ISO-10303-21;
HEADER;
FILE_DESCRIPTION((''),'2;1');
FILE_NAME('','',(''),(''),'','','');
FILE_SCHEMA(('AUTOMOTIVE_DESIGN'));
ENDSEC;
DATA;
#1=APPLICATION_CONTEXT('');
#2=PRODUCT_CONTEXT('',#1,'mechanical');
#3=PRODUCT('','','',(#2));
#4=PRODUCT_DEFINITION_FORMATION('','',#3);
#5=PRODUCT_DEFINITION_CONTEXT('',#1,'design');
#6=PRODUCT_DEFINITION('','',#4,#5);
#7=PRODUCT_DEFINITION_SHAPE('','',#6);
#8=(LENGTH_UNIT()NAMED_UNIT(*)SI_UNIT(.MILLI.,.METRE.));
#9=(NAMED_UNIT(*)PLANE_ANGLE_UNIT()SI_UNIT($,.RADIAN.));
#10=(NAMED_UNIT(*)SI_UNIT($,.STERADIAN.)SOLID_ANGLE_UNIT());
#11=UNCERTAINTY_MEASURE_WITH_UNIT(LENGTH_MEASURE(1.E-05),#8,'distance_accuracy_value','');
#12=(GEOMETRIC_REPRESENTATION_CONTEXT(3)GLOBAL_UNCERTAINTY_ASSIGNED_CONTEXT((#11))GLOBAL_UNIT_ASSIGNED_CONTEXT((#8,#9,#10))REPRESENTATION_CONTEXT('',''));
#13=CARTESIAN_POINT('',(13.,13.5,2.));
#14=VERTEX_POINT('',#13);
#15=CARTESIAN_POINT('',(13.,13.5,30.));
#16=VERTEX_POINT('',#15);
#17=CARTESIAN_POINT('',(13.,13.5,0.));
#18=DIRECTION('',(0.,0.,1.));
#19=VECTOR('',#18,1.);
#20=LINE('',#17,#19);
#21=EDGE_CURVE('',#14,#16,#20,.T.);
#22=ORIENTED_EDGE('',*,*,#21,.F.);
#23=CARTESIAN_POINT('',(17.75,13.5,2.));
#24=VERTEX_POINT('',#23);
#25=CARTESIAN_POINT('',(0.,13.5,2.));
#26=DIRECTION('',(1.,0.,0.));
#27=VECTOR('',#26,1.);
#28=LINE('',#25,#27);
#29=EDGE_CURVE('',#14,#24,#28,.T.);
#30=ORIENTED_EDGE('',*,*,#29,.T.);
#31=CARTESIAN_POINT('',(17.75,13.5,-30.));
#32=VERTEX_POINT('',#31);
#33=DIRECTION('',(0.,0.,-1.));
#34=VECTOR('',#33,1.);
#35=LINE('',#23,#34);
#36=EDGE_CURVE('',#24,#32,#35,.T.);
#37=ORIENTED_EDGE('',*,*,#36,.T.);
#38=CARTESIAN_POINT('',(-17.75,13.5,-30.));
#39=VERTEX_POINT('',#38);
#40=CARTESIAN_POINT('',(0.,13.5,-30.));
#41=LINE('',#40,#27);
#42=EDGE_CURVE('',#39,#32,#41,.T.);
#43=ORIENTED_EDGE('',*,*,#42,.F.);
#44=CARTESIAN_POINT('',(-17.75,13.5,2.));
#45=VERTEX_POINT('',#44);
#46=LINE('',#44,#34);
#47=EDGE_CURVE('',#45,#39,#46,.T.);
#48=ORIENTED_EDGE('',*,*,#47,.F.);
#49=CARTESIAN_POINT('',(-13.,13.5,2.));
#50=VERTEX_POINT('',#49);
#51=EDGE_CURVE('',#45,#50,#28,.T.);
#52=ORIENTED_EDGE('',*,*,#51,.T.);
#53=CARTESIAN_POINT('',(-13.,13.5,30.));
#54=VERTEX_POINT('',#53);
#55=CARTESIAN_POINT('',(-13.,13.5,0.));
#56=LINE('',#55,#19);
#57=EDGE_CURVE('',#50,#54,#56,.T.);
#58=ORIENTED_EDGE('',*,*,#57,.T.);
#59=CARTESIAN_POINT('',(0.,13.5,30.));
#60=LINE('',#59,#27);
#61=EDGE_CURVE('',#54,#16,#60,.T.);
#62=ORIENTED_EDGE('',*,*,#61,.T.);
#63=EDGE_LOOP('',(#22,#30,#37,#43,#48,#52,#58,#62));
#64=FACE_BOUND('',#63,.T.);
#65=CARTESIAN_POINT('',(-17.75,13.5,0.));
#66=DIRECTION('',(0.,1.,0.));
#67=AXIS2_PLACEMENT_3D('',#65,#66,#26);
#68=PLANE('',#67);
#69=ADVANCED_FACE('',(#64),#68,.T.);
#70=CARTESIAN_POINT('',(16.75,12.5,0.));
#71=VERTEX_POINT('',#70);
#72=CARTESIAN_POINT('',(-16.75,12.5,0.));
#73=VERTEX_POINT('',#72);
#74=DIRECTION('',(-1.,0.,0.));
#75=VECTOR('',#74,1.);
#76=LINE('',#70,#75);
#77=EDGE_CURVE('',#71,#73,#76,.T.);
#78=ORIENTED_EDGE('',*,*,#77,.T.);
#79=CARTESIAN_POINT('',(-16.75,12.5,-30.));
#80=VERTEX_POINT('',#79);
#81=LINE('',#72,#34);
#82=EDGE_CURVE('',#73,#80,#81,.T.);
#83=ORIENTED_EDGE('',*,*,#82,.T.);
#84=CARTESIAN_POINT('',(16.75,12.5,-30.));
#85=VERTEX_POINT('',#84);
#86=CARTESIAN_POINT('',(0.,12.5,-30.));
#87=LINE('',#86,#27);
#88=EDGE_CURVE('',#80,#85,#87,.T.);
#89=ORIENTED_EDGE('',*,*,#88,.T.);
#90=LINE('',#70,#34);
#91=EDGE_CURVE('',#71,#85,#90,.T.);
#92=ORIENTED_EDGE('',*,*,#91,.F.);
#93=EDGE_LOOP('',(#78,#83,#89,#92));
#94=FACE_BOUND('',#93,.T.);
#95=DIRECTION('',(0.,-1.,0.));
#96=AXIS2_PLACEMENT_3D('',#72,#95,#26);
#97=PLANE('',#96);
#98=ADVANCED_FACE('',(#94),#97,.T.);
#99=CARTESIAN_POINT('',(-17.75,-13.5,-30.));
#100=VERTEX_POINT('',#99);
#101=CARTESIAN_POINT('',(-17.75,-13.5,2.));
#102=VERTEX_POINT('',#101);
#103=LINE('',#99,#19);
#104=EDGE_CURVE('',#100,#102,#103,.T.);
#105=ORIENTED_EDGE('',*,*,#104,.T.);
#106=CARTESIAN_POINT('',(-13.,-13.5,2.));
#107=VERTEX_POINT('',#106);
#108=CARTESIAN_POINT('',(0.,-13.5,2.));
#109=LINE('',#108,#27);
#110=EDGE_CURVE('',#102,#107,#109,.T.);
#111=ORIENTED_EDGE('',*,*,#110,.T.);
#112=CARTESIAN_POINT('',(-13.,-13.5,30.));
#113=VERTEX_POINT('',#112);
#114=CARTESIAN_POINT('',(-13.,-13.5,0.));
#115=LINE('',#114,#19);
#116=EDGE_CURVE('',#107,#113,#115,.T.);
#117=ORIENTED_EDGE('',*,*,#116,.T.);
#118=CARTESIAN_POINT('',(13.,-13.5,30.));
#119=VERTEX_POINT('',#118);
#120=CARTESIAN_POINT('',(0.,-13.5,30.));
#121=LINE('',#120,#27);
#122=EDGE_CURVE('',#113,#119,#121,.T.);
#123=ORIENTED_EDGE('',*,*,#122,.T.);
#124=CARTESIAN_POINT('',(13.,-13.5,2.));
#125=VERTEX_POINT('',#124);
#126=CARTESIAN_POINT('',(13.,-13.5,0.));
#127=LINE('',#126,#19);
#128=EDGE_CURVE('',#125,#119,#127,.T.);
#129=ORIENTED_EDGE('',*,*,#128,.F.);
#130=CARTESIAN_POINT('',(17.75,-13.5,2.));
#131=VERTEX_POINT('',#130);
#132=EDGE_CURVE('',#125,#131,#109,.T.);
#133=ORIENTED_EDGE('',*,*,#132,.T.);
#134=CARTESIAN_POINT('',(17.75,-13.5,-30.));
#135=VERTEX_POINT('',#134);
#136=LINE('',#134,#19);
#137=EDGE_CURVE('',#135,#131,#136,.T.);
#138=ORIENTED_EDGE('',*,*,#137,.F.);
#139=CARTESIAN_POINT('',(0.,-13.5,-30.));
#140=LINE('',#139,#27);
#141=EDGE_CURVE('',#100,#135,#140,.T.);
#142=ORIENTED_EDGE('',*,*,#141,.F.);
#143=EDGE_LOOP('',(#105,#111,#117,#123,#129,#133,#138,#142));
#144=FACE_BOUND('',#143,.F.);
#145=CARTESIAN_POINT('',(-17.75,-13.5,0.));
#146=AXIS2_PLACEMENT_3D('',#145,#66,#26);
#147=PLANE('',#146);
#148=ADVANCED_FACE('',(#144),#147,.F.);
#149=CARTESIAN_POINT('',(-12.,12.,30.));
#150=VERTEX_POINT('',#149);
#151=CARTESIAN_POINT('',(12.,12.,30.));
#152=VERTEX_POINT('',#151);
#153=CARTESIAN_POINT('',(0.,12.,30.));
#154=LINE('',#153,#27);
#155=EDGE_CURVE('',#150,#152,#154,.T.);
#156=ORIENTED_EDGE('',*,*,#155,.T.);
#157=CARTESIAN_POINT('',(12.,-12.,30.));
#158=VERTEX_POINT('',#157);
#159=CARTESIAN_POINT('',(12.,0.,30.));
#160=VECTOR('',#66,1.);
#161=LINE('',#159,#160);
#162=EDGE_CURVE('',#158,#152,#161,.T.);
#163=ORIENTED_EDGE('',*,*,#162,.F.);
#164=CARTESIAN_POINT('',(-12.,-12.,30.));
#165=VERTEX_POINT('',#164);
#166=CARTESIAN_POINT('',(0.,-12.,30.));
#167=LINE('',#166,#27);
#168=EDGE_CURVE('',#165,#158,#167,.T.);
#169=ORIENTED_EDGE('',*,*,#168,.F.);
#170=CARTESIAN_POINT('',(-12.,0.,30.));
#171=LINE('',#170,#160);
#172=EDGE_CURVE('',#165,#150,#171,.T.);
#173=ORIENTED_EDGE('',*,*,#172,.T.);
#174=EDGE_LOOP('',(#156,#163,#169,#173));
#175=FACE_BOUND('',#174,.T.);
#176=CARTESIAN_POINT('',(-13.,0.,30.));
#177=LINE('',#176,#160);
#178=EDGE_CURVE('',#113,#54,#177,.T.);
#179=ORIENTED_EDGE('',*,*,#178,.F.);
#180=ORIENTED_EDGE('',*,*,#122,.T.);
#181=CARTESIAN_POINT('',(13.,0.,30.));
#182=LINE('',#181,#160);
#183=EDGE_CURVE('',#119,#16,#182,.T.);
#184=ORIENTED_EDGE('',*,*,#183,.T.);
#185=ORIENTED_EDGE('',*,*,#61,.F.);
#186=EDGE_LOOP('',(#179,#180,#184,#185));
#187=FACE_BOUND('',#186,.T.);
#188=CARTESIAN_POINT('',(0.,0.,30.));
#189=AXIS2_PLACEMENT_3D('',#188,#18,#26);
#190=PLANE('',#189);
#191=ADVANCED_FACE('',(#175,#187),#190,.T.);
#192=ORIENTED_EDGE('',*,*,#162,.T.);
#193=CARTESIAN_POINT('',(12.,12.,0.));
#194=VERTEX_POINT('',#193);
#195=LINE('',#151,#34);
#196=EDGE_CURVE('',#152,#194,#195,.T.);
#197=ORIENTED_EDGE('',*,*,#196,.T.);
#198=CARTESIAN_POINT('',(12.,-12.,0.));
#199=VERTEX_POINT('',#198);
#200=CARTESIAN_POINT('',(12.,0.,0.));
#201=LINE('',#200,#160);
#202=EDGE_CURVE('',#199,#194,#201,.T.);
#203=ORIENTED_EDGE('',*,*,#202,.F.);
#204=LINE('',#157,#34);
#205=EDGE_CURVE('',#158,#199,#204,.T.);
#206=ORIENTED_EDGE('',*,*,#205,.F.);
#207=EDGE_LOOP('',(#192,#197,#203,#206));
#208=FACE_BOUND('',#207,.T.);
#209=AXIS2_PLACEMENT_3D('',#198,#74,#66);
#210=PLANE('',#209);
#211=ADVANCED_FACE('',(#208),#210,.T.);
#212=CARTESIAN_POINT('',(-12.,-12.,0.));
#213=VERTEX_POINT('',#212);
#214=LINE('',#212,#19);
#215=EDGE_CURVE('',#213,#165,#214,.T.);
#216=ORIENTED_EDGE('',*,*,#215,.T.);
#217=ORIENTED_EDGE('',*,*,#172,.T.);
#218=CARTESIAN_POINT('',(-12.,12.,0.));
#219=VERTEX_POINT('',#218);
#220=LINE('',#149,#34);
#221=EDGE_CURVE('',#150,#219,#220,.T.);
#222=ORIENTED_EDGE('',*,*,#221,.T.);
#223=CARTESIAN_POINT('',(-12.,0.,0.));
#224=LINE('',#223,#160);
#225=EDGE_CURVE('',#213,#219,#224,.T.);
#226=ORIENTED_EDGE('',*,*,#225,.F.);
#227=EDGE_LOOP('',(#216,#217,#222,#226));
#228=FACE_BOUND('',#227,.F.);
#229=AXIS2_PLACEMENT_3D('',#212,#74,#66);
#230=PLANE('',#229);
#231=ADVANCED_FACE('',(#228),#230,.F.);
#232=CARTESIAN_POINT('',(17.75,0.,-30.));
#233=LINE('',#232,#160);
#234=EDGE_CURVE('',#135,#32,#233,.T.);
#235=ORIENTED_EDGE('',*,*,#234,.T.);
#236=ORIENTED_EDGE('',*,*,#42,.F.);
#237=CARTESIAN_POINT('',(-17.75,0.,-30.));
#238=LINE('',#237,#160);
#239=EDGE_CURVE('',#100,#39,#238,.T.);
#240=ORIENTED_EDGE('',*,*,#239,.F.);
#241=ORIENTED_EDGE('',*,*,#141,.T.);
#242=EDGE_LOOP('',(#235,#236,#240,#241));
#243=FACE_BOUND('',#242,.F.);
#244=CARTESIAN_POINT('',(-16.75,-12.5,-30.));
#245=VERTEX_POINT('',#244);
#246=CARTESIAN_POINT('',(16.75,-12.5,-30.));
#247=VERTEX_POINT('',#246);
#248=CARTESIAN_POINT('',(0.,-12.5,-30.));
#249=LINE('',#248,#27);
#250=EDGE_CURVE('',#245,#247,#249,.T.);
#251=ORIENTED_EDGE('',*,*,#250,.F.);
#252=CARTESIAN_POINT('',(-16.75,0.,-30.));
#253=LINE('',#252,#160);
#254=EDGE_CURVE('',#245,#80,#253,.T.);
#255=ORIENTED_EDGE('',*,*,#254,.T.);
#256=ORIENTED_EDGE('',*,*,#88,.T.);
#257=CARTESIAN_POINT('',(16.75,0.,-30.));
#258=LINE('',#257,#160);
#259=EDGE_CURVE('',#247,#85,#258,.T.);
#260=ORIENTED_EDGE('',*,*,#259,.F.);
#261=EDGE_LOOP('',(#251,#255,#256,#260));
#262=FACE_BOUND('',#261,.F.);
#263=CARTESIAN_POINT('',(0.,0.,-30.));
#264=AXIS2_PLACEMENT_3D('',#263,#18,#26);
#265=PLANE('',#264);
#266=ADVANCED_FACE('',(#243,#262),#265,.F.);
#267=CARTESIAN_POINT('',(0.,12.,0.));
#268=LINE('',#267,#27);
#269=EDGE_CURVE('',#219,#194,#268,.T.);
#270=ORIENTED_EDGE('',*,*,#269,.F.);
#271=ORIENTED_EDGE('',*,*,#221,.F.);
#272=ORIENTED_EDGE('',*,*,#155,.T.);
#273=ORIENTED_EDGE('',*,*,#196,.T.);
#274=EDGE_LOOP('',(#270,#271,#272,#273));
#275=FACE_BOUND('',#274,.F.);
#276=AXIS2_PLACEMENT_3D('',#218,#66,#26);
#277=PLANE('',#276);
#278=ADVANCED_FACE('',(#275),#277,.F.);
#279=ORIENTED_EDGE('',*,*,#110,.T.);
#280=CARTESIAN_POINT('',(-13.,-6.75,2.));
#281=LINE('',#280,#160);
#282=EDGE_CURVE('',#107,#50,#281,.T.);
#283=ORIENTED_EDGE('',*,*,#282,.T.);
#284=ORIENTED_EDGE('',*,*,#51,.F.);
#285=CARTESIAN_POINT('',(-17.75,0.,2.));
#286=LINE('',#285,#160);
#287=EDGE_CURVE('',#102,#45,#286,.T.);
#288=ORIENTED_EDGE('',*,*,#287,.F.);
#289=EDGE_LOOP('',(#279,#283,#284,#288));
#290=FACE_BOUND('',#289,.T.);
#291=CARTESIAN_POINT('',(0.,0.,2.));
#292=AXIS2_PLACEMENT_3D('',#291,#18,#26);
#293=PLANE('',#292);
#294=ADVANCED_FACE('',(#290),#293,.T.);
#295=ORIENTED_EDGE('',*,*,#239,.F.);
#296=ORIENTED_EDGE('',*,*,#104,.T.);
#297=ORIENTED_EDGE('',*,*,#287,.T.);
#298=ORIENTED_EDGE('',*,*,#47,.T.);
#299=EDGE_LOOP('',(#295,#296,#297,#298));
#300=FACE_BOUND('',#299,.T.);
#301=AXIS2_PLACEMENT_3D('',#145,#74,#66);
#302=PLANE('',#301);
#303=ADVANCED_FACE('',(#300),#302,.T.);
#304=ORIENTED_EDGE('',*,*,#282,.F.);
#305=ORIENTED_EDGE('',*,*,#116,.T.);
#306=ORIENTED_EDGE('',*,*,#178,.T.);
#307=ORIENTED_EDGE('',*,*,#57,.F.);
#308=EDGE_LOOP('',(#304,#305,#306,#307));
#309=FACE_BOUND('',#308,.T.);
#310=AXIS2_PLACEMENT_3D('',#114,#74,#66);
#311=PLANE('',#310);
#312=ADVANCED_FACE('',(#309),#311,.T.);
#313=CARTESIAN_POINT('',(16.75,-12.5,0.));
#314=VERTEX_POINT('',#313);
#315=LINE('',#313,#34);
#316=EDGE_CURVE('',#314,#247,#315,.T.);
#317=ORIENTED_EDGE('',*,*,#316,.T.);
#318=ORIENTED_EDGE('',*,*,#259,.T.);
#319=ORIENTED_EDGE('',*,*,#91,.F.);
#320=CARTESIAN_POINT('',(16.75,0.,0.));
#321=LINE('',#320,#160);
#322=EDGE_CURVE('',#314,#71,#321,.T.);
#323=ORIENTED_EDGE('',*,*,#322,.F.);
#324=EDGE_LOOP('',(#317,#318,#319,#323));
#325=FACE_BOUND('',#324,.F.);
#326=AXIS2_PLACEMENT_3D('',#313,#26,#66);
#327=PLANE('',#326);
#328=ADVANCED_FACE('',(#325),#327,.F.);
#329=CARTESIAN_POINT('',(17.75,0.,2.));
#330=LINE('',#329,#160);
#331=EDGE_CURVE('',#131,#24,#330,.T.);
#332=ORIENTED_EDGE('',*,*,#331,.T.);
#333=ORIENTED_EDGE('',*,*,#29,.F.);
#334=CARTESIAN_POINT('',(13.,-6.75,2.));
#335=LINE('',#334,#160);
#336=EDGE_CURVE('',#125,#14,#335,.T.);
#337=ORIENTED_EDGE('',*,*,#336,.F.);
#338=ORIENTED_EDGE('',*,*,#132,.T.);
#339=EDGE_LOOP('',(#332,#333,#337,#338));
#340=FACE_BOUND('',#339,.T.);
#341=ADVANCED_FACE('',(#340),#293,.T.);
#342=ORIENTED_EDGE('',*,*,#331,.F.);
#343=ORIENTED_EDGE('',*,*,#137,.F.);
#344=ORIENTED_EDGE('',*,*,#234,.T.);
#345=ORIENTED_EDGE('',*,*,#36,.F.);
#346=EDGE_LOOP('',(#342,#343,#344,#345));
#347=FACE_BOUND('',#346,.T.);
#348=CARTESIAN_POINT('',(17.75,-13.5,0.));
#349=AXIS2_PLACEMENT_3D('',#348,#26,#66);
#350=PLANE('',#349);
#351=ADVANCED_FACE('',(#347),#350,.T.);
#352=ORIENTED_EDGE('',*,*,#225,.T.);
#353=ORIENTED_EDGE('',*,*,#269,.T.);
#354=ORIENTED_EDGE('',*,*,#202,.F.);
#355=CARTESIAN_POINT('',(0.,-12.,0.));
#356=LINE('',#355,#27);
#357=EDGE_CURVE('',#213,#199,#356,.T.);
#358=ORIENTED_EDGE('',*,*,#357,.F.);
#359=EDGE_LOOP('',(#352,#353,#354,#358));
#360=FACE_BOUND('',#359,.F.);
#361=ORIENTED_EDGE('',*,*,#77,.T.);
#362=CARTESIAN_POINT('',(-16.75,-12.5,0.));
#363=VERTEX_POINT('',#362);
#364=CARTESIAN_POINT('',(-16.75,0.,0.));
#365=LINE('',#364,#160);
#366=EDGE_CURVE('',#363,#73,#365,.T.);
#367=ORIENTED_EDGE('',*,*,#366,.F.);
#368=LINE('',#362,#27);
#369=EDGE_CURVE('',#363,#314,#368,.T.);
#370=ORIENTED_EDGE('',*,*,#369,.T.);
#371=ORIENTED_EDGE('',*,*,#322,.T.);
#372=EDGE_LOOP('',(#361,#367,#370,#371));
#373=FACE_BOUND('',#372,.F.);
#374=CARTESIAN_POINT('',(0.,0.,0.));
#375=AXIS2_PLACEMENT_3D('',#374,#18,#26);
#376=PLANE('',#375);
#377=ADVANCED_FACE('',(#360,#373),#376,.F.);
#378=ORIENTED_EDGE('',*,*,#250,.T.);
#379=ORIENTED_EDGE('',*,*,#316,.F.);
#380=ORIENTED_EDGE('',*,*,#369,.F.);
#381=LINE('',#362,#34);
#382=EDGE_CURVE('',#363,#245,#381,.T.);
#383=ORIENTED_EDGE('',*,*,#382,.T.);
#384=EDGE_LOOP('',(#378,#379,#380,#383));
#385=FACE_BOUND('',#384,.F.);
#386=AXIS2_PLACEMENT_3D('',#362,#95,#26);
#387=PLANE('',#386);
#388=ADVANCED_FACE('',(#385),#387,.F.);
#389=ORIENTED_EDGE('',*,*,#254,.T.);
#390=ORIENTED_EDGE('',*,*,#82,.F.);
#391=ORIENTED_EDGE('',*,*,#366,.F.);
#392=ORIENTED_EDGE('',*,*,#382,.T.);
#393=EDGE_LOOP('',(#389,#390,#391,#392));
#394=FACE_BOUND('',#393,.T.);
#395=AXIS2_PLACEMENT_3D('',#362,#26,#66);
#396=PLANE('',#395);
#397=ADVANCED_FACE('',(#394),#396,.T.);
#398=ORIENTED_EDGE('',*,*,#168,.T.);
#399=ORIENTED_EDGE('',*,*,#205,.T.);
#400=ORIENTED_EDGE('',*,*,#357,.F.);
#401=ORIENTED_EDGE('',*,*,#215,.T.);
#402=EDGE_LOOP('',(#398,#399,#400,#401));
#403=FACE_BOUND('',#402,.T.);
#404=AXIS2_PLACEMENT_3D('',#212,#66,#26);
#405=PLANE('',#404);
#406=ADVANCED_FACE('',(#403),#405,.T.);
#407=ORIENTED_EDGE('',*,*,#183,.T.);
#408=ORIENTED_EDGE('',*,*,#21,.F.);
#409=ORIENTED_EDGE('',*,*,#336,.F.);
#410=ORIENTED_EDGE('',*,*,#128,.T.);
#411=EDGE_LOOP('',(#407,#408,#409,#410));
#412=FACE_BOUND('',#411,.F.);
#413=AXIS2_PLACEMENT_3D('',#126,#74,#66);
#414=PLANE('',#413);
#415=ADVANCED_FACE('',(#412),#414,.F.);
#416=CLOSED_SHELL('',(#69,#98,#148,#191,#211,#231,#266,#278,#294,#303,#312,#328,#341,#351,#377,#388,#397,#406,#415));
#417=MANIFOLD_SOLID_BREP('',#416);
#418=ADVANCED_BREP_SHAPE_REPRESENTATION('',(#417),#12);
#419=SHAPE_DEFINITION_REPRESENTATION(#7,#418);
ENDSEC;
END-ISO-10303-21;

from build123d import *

# Parameters (mm, degrees)
SKETCH_W      = 26
SKETCH_H      = 27
SKETCH_W_2    = 24
SKETCH_H_2    = 24
PAD_DEPTH     = 30
SKETCH001_W   = 35.5
SKETCH001_H   = 27
SKETCH001_W_2 = 33.5
SKETCH001_H_2 = 25
PAD001_DEPTH  = 30
SKETCH002_W   = 35.5
SKETCH002_H   = 27
SKETCH002_W_2 = 24
SKETCH002_H_2 = 24
PAD002_DEPTH  = 2


with BuildPart() as part:
    # Sketch → Pad (new body)
    with BuildSketch(Plane.XY):
        Rectangle(SKETCH_W, SKETCH_H)
        Rectangle(SKETCH_W_2, SKETCH_H_2, mode=Mode.SUBTRACT)
    extrude(amount=PAD_DEPTH)

    # Sketch001 → Pad001 (join)
    with BuildSketch(Plane.XY):
        Rectangle(SKETCH001_W, SKETCH001_H)
        Rectangle(SKETCH001_W_2, SKETCH001_H_2, mode=Mode.SUBTRACT)
    extrude(amount=-PAD001_DEPTH)

    # Sketch002 → Pad002 (join)
    with BuildSketch(Plane.XY):
        Rectangle(SKETCH002_W, SKETCH002_H)
        Rectangle(SKETCH002_W_2, SKETCH002_H_2, mode=Mode.SUBTRACT)
    extrude(amount=PAD002_DEPTH)


solid = part.part
